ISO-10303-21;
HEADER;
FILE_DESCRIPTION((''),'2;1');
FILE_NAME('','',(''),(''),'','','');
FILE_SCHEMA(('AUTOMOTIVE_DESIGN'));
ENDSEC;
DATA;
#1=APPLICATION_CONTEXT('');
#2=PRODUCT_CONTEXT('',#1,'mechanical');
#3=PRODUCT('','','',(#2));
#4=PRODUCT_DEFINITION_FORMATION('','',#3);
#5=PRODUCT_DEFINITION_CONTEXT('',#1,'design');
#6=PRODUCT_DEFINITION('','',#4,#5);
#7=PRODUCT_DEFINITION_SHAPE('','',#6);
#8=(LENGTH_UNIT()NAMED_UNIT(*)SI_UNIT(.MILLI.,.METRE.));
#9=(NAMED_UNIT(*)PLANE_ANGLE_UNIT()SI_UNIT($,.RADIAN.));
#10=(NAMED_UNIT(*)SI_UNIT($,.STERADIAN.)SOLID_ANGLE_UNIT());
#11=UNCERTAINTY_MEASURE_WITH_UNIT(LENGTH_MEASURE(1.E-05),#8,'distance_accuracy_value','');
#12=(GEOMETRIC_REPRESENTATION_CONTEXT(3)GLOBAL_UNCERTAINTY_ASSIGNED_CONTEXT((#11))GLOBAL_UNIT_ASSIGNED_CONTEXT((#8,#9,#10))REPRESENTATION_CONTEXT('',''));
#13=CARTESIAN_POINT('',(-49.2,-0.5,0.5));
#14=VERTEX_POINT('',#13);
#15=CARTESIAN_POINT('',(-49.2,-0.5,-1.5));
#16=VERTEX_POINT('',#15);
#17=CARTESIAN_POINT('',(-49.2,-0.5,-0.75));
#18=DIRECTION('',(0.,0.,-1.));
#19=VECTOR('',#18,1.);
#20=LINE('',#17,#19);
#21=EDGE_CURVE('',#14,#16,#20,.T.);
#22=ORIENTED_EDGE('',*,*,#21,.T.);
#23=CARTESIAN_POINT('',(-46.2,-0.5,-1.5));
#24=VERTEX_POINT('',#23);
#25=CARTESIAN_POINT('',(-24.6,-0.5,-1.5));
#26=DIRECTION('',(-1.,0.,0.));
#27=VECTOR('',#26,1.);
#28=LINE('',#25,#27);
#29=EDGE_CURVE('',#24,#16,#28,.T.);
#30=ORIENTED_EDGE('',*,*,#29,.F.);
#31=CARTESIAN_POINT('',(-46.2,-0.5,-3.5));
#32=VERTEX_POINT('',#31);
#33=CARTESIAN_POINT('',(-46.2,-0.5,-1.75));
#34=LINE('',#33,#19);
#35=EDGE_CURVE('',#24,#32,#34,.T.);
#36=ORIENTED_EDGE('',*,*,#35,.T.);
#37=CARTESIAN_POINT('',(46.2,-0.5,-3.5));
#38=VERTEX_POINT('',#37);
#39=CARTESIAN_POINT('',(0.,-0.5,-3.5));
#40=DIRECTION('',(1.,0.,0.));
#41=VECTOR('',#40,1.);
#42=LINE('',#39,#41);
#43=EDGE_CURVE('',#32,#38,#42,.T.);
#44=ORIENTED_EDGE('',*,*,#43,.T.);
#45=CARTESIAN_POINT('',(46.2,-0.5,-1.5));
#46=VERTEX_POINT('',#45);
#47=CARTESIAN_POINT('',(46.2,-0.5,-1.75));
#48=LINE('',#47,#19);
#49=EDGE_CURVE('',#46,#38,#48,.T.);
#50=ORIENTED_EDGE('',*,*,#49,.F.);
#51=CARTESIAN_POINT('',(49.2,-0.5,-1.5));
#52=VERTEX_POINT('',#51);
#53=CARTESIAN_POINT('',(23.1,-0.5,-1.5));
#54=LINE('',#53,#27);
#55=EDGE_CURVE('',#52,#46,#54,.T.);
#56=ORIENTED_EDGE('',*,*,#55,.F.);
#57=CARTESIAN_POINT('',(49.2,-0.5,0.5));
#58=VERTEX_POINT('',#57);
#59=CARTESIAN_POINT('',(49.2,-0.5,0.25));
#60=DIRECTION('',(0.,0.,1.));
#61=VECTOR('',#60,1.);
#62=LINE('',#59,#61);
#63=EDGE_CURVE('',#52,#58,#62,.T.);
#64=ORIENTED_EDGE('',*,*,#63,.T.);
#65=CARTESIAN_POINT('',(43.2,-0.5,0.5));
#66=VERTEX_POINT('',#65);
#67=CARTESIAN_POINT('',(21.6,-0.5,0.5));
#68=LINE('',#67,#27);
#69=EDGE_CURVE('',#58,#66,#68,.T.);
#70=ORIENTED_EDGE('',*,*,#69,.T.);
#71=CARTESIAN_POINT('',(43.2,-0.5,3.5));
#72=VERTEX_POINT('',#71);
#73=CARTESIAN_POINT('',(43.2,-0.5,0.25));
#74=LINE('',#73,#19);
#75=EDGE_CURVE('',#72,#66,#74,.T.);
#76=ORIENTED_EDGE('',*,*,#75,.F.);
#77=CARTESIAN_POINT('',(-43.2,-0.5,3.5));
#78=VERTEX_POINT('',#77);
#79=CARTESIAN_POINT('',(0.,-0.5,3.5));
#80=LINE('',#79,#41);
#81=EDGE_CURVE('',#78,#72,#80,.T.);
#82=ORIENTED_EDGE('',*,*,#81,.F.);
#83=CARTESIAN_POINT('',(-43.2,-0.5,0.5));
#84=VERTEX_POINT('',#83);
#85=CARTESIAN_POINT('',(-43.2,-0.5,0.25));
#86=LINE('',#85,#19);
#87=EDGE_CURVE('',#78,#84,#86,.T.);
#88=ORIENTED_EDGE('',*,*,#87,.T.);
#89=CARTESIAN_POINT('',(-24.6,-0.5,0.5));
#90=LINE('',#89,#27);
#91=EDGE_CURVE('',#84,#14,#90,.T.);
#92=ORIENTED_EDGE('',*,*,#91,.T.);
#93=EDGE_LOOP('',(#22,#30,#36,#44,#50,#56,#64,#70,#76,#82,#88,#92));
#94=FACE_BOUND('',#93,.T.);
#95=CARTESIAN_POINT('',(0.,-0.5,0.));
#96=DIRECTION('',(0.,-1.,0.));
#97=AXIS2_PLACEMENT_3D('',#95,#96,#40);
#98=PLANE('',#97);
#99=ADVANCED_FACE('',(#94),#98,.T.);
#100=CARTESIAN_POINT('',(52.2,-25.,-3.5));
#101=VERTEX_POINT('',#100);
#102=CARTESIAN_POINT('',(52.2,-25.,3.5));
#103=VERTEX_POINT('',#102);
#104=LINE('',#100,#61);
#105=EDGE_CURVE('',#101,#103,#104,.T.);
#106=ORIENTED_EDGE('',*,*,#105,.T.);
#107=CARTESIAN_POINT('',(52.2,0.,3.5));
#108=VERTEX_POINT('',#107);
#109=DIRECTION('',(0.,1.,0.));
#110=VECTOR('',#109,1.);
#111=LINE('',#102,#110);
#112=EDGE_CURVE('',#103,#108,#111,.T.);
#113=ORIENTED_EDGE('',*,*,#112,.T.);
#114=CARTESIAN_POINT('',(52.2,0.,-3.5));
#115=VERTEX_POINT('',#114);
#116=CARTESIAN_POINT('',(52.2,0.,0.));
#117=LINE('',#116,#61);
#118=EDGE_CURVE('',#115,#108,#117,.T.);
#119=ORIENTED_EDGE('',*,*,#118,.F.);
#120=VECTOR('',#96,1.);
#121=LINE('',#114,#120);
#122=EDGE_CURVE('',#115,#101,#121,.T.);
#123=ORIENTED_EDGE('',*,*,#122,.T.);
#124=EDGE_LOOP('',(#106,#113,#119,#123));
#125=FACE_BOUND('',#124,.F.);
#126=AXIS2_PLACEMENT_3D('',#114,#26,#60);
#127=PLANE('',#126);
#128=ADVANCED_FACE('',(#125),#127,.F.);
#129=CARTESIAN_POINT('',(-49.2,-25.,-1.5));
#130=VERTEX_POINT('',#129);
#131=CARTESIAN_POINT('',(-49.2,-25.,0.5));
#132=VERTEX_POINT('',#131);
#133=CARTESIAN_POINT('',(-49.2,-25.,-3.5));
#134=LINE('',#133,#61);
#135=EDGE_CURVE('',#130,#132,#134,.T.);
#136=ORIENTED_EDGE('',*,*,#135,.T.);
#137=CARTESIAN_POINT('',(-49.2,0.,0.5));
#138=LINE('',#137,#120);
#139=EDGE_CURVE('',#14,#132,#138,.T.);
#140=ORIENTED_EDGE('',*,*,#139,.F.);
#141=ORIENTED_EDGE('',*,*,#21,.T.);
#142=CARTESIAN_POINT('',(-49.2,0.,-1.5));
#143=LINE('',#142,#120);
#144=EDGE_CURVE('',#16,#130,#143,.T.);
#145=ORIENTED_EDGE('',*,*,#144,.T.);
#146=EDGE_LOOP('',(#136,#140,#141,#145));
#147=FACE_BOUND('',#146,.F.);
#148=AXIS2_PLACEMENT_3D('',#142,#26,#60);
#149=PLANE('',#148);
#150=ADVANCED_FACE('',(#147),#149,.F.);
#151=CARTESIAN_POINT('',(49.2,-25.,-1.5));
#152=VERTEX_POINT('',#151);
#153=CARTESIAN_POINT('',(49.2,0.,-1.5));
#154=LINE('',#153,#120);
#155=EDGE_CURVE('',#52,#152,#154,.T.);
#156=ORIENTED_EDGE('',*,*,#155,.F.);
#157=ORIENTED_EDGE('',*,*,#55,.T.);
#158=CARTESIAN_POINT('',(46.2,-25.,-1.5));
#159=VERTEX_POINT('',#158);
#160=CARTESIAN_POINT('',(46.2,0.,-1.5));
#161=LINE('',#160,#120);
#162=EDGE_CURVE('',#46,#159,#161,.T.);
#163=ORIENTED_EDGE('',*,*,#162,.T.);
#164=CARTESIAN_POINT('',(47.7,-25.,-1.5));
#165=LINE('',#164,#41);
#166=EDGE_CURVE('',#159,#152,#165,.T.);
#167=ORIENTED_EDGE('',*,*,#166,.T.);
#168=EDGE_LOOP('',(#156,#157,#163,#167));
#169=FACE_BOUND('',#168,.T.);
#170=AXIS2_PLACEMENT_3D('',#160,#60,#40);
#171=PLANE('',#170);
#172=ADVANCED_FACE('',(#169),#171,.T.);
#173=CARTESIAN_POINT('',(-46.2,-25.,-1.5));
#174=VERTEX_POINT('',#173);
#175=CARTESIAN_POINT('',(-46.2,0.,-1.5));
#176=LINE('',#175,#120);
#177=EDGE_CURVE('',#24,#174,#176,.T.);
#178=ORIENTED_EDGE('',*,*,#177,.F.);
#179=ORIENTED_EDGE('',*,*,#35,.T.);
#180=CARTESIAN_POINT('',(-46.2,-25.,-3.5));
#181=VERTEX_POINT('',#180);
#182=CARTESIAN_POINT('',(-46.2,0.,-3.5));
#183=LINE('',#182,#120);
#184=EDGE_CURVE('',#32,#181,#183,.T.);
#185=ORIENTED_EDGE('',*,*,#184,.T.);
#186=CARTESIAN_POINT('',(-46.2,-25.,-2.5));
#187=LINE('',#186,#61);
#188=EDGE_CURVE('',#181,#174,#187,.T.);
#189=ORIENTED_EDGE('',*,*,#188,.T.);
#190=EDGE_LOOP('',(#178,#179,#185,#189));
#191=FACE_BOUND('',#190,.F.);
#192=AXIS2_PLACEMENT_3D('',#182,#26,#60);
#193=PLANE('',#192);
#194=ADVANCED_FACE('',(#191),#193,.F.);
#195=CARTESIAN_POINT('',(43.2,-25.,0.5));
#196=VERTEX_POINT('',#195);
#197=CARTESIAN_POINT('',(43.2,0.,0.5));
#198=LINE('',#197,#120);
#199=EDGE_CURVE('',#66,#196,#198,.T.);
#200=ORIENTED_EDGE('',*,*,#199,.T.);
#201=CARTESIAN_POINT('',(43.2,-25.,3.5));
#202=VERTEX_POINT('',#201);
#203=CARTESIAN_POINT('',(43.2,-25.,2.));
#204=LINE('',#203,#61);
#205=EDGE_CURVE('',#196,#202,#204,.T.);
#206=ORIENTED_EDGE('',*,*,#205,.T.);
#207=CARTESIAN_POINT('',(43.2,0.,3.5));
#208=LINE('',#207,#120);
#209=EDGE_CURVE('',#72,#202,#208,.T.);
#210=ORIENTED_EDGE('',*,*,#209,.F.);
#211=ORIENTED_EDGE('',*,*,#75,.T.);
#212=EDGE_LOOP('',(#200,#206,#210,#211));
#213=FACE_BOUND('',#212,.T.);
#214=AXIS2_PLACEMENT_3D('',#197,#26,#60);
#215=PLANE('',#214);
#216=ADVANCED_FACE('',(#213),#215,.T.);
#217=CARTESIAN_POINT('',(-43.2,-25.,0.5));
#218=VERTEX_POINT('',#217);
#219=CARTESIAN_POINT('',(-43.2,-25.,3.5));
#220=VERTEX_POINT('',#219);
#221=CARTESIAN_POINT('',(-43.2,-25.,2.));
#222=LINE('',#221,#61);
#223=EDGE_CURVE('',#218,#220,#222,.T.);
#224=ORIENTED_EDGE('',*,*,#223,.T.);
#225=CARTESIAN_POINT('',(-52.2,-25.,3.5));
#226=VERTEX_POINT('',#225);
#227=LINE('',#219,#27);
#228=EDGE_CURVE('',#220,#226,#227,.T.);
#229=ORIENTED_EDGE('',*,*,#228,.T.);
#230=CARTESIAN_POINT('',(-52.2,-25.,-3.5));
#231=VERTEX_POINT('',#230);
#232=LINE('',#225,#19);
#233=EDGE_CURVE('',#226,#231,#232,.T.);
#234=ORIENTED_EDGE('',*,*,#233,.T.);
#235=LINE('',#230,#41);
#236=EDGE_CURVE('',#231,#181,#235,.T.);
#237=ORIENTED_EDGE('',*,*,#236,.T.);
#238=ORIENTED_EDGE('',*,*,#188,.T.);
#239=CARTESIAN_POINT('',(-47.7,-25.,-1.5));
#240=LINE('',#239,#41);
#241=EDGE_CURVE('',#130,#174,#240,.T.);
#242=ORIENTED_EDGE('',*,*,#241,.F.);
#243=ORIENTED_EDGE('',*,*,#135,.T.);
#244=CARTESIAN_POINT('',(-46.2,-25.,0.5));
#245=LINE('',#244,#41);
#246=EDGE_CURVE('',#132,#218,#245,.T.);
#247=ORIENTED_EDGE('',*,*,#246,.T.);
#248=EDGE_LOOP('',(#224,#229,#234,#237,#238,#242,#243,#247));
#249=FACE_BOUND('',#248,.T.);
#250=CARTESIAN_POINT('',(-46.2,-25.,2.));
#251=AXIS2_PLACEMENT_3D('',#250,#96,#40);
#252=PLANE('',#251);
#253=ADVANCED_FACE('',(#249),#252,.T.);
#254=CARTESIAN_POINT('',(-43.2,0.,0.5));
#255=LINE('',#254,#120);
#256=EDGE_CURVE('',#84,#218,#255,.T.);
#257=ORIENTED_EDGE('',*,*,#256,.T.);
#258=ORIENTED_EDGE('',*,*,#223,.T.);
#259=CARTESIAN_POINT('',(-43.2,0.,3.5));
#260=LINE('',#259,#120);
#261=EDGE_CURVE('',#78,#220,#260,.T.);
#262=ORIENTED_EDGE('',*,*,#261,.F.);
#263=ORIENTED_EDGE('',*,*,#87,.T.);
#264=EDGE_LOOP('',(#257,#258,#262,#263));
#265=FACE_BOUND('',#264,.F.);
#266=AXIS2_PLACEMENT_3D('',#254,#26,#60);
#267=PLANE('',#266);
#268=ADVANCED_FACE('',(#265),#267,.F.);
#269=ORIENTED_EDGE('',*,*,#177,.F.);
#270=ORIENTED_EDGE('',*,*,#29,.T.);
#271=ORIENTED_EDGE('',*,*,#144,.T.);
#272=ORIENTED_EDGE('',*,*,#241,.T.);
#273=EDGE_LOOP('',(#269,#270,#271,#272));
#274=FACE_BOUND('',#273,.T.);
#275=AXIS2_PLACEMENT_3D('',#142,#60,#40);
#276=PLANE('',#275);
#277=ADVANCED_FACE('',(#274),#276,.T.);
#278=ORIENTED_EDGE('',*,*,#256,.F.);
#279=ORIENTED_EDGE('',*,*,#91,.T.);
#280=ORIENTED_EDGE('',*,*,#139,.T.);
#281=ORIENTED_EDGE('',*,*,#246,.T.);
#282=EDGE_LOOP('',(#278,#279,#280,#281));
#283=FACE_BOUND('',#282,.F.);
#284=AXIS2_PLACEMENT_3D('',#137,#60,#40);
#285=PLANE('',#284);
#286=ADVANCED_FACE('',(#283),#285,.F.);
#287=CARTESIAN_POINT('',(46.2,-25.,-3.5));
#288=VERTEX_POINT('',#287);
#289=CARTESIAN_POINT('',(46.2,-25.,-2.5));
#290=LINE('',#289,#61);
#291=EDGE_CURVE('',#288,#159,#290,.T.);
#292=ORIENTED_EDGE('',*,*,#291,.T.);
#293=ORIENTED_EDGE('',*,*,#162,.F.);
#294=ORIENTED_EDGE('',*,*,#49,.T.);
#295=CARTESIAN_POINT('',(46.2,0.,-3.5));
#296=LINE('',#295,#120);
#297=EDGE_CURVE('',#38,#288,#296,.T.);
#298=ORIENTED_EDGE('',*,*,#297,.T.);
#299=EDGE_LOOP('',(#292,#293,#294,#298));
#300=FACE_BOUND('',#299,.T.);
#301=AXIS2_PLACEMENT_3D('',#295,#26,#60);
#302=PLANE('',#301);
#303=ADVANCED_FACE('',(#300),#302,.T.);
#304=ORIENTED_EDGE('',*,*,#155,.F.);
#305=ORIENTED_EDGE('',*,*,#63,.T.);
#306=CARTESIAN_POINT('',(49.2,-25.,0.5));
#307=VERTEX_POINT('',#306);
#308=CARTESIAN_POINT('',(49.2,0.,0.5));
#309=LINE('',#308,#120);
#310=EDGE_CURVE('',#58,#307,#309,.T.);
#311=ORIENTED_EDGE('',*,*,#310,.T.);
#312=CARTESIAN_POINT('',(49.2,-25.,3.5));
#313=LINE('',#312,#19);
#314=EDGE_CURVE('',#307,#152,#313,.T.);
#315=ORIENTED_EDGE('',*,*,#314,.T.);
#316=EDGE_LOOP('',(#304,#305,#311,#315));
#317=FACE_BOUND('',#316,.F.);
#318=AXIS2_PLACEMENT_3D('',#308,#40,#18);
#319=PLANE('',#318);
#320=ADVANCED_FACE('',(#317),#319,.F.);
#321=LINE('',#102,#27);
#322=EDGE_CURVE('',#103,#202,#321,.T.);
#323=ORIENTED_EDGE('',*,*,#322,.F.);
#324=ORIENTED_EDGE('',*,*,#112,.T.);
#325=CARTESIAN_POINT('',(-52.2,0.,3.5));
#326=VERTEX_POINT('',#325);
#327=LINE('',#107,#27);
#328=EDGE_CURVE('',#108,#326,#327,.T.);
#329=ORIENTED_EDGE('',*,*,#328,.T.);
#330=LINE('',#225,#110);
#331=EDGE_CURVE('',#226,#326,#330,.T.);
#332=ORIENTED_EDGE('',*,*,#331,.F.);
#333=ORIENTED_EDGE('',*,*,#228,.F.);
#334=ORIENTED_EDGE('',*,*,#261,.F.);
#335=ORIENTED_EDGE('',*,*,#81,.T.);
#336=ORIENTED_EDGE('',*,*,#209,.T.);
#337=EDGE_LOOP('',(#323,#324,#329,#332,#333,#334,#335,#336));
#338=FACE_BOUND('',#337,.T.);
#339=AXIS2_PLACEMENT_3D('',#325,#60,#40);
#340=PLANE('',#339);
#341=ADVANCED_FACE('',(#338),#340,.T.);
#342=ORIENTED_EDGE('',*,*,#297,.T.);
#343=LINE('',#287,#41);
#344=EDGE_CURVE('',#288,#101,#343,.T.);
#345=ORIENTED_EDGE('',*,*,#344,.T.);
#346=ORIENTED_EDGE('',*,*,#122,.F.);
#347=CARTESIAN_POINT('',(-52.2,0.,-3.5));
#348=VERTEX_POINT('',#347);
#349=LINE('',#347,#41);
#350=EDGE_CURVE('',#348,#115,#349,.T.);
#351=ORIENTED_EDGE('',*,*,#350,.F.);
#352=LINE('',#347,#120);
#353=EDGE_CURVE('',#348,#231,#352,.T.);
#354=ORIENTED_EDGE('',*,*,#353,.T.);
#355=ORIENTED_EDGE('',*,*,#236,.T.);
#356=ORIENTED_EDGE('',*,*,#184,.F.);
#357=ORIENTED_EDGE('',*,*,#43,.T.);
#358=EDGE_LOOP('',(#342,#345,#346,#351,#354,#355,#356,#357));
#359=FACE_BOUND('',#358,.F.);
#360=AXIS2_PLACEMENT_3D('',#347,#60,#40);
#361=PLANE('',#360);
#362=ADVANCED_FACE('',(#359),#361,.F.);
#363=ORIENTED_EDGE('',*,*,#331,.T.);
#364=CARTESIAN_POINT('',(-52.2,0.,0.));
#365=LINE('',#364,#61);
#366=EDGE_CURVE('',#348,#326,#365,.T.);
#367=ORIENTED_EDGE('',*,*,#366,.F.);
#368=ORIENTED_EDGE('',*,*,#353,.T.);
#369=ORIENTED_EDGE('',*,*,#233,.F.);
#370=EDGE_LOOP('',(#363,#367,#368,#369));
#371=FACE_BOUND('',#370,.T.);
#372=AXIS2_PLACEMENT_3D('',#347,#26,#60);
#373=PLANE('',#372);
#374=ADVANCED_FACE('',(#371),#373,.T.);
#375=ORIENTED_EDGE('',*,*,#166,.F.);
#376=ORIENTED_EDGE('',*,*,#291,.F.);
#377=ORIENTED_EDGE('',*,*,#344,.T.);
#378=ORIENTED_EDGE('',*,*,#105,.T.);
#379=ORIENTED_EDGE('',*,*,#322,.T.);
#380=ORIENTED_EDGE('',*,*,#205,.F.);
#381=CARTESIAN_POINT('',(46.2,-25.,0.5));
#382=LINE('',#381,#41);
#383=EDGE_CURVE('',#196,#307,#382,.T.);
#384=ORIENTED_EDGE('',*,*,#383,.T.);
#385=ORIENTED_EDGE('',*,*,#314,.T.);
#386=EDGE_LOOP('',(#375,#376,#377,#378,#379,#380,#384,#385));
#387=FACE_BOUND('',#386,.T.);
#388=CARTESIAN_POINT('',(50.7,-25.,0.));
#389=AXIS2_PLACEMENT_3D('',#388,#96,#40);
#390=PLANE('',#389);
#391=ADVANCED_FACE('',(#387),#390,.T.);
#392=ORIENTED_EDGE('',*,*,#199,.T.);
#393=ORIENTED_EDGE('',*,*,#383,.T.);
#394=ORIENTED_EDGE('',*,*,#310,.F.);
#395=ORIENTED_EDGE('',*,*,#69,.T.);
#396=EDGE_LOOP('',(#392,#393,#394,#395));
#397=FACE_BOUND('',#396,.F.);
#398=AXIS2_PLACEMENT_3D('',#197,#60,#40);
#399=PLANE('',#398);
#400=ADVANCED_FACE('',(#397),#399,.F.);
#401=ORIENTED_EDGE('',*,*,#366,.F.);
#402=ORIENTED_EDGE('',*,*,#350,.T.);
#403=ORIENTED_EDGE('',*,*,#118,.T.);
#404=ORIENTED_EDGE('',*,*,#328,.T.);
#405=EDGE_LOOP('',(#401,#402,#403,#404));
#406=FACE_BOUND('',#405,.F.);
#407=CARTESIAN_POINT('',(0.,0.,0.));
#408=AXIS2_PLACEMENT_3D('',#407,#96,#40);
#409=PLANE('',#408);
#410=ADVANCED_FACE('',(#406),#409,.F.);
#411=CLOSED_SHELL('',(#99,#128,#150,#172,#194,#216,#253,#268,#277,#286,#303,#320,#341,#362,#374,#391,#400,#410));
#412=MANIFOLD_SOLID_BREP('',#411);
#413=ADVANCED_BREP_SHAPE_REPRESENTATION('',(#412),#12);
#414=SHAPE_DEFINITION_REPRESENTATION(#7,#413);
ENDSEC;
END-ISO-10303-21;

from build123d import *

# Parameters (mm, degrees)
F1_W     = 104.4
F1_H     = 7
F2_DEPTH = 0.5
F0_W     = 6
F0_H     = 3
F0_W_2   = 3
F0_H_2   = 2
F3_DEPTH = 25


with BuildPart() as f2:
    # F1 (on Front) → F2 (new body)
    with BuildSketch(Plane.XZ):
        Rectangle(F1_W, F1_H)
    extrude(amount=F2_DEPTH)

    # F0 (on Front) → F3 (join)
    with BuildSketch(Plane.XZ):
        with Locations((-46.2, 2)):
            Rectangle(F0_W, F0_H)
        Polygon((-49.2, 0.5), (-49.2, 3.5), (-52.2, 3.5), (-52.2, -3.5), (-49.2, -3.5), (-49.2, -1.5), align=None)
        with Locations((-47.7, -2.5)):
            Rectangle(F0_W_2, F0_H_2)
        Polygon((52.2, 3.5), (49.2, 3.5), (49.2, 0.5), (49.2, -1.5), (49.2, -3.5), (52.2, -3.5), align=None)
        with Locations((46.2, 2)):
            Rectangle(F0_W, F0_H)
        with Locations((47.7, -2.5)):
            Rectangle(F0_W_2, F0_H_2)
    extrude(amount=F3_DEPTH)


solid = f2.part
